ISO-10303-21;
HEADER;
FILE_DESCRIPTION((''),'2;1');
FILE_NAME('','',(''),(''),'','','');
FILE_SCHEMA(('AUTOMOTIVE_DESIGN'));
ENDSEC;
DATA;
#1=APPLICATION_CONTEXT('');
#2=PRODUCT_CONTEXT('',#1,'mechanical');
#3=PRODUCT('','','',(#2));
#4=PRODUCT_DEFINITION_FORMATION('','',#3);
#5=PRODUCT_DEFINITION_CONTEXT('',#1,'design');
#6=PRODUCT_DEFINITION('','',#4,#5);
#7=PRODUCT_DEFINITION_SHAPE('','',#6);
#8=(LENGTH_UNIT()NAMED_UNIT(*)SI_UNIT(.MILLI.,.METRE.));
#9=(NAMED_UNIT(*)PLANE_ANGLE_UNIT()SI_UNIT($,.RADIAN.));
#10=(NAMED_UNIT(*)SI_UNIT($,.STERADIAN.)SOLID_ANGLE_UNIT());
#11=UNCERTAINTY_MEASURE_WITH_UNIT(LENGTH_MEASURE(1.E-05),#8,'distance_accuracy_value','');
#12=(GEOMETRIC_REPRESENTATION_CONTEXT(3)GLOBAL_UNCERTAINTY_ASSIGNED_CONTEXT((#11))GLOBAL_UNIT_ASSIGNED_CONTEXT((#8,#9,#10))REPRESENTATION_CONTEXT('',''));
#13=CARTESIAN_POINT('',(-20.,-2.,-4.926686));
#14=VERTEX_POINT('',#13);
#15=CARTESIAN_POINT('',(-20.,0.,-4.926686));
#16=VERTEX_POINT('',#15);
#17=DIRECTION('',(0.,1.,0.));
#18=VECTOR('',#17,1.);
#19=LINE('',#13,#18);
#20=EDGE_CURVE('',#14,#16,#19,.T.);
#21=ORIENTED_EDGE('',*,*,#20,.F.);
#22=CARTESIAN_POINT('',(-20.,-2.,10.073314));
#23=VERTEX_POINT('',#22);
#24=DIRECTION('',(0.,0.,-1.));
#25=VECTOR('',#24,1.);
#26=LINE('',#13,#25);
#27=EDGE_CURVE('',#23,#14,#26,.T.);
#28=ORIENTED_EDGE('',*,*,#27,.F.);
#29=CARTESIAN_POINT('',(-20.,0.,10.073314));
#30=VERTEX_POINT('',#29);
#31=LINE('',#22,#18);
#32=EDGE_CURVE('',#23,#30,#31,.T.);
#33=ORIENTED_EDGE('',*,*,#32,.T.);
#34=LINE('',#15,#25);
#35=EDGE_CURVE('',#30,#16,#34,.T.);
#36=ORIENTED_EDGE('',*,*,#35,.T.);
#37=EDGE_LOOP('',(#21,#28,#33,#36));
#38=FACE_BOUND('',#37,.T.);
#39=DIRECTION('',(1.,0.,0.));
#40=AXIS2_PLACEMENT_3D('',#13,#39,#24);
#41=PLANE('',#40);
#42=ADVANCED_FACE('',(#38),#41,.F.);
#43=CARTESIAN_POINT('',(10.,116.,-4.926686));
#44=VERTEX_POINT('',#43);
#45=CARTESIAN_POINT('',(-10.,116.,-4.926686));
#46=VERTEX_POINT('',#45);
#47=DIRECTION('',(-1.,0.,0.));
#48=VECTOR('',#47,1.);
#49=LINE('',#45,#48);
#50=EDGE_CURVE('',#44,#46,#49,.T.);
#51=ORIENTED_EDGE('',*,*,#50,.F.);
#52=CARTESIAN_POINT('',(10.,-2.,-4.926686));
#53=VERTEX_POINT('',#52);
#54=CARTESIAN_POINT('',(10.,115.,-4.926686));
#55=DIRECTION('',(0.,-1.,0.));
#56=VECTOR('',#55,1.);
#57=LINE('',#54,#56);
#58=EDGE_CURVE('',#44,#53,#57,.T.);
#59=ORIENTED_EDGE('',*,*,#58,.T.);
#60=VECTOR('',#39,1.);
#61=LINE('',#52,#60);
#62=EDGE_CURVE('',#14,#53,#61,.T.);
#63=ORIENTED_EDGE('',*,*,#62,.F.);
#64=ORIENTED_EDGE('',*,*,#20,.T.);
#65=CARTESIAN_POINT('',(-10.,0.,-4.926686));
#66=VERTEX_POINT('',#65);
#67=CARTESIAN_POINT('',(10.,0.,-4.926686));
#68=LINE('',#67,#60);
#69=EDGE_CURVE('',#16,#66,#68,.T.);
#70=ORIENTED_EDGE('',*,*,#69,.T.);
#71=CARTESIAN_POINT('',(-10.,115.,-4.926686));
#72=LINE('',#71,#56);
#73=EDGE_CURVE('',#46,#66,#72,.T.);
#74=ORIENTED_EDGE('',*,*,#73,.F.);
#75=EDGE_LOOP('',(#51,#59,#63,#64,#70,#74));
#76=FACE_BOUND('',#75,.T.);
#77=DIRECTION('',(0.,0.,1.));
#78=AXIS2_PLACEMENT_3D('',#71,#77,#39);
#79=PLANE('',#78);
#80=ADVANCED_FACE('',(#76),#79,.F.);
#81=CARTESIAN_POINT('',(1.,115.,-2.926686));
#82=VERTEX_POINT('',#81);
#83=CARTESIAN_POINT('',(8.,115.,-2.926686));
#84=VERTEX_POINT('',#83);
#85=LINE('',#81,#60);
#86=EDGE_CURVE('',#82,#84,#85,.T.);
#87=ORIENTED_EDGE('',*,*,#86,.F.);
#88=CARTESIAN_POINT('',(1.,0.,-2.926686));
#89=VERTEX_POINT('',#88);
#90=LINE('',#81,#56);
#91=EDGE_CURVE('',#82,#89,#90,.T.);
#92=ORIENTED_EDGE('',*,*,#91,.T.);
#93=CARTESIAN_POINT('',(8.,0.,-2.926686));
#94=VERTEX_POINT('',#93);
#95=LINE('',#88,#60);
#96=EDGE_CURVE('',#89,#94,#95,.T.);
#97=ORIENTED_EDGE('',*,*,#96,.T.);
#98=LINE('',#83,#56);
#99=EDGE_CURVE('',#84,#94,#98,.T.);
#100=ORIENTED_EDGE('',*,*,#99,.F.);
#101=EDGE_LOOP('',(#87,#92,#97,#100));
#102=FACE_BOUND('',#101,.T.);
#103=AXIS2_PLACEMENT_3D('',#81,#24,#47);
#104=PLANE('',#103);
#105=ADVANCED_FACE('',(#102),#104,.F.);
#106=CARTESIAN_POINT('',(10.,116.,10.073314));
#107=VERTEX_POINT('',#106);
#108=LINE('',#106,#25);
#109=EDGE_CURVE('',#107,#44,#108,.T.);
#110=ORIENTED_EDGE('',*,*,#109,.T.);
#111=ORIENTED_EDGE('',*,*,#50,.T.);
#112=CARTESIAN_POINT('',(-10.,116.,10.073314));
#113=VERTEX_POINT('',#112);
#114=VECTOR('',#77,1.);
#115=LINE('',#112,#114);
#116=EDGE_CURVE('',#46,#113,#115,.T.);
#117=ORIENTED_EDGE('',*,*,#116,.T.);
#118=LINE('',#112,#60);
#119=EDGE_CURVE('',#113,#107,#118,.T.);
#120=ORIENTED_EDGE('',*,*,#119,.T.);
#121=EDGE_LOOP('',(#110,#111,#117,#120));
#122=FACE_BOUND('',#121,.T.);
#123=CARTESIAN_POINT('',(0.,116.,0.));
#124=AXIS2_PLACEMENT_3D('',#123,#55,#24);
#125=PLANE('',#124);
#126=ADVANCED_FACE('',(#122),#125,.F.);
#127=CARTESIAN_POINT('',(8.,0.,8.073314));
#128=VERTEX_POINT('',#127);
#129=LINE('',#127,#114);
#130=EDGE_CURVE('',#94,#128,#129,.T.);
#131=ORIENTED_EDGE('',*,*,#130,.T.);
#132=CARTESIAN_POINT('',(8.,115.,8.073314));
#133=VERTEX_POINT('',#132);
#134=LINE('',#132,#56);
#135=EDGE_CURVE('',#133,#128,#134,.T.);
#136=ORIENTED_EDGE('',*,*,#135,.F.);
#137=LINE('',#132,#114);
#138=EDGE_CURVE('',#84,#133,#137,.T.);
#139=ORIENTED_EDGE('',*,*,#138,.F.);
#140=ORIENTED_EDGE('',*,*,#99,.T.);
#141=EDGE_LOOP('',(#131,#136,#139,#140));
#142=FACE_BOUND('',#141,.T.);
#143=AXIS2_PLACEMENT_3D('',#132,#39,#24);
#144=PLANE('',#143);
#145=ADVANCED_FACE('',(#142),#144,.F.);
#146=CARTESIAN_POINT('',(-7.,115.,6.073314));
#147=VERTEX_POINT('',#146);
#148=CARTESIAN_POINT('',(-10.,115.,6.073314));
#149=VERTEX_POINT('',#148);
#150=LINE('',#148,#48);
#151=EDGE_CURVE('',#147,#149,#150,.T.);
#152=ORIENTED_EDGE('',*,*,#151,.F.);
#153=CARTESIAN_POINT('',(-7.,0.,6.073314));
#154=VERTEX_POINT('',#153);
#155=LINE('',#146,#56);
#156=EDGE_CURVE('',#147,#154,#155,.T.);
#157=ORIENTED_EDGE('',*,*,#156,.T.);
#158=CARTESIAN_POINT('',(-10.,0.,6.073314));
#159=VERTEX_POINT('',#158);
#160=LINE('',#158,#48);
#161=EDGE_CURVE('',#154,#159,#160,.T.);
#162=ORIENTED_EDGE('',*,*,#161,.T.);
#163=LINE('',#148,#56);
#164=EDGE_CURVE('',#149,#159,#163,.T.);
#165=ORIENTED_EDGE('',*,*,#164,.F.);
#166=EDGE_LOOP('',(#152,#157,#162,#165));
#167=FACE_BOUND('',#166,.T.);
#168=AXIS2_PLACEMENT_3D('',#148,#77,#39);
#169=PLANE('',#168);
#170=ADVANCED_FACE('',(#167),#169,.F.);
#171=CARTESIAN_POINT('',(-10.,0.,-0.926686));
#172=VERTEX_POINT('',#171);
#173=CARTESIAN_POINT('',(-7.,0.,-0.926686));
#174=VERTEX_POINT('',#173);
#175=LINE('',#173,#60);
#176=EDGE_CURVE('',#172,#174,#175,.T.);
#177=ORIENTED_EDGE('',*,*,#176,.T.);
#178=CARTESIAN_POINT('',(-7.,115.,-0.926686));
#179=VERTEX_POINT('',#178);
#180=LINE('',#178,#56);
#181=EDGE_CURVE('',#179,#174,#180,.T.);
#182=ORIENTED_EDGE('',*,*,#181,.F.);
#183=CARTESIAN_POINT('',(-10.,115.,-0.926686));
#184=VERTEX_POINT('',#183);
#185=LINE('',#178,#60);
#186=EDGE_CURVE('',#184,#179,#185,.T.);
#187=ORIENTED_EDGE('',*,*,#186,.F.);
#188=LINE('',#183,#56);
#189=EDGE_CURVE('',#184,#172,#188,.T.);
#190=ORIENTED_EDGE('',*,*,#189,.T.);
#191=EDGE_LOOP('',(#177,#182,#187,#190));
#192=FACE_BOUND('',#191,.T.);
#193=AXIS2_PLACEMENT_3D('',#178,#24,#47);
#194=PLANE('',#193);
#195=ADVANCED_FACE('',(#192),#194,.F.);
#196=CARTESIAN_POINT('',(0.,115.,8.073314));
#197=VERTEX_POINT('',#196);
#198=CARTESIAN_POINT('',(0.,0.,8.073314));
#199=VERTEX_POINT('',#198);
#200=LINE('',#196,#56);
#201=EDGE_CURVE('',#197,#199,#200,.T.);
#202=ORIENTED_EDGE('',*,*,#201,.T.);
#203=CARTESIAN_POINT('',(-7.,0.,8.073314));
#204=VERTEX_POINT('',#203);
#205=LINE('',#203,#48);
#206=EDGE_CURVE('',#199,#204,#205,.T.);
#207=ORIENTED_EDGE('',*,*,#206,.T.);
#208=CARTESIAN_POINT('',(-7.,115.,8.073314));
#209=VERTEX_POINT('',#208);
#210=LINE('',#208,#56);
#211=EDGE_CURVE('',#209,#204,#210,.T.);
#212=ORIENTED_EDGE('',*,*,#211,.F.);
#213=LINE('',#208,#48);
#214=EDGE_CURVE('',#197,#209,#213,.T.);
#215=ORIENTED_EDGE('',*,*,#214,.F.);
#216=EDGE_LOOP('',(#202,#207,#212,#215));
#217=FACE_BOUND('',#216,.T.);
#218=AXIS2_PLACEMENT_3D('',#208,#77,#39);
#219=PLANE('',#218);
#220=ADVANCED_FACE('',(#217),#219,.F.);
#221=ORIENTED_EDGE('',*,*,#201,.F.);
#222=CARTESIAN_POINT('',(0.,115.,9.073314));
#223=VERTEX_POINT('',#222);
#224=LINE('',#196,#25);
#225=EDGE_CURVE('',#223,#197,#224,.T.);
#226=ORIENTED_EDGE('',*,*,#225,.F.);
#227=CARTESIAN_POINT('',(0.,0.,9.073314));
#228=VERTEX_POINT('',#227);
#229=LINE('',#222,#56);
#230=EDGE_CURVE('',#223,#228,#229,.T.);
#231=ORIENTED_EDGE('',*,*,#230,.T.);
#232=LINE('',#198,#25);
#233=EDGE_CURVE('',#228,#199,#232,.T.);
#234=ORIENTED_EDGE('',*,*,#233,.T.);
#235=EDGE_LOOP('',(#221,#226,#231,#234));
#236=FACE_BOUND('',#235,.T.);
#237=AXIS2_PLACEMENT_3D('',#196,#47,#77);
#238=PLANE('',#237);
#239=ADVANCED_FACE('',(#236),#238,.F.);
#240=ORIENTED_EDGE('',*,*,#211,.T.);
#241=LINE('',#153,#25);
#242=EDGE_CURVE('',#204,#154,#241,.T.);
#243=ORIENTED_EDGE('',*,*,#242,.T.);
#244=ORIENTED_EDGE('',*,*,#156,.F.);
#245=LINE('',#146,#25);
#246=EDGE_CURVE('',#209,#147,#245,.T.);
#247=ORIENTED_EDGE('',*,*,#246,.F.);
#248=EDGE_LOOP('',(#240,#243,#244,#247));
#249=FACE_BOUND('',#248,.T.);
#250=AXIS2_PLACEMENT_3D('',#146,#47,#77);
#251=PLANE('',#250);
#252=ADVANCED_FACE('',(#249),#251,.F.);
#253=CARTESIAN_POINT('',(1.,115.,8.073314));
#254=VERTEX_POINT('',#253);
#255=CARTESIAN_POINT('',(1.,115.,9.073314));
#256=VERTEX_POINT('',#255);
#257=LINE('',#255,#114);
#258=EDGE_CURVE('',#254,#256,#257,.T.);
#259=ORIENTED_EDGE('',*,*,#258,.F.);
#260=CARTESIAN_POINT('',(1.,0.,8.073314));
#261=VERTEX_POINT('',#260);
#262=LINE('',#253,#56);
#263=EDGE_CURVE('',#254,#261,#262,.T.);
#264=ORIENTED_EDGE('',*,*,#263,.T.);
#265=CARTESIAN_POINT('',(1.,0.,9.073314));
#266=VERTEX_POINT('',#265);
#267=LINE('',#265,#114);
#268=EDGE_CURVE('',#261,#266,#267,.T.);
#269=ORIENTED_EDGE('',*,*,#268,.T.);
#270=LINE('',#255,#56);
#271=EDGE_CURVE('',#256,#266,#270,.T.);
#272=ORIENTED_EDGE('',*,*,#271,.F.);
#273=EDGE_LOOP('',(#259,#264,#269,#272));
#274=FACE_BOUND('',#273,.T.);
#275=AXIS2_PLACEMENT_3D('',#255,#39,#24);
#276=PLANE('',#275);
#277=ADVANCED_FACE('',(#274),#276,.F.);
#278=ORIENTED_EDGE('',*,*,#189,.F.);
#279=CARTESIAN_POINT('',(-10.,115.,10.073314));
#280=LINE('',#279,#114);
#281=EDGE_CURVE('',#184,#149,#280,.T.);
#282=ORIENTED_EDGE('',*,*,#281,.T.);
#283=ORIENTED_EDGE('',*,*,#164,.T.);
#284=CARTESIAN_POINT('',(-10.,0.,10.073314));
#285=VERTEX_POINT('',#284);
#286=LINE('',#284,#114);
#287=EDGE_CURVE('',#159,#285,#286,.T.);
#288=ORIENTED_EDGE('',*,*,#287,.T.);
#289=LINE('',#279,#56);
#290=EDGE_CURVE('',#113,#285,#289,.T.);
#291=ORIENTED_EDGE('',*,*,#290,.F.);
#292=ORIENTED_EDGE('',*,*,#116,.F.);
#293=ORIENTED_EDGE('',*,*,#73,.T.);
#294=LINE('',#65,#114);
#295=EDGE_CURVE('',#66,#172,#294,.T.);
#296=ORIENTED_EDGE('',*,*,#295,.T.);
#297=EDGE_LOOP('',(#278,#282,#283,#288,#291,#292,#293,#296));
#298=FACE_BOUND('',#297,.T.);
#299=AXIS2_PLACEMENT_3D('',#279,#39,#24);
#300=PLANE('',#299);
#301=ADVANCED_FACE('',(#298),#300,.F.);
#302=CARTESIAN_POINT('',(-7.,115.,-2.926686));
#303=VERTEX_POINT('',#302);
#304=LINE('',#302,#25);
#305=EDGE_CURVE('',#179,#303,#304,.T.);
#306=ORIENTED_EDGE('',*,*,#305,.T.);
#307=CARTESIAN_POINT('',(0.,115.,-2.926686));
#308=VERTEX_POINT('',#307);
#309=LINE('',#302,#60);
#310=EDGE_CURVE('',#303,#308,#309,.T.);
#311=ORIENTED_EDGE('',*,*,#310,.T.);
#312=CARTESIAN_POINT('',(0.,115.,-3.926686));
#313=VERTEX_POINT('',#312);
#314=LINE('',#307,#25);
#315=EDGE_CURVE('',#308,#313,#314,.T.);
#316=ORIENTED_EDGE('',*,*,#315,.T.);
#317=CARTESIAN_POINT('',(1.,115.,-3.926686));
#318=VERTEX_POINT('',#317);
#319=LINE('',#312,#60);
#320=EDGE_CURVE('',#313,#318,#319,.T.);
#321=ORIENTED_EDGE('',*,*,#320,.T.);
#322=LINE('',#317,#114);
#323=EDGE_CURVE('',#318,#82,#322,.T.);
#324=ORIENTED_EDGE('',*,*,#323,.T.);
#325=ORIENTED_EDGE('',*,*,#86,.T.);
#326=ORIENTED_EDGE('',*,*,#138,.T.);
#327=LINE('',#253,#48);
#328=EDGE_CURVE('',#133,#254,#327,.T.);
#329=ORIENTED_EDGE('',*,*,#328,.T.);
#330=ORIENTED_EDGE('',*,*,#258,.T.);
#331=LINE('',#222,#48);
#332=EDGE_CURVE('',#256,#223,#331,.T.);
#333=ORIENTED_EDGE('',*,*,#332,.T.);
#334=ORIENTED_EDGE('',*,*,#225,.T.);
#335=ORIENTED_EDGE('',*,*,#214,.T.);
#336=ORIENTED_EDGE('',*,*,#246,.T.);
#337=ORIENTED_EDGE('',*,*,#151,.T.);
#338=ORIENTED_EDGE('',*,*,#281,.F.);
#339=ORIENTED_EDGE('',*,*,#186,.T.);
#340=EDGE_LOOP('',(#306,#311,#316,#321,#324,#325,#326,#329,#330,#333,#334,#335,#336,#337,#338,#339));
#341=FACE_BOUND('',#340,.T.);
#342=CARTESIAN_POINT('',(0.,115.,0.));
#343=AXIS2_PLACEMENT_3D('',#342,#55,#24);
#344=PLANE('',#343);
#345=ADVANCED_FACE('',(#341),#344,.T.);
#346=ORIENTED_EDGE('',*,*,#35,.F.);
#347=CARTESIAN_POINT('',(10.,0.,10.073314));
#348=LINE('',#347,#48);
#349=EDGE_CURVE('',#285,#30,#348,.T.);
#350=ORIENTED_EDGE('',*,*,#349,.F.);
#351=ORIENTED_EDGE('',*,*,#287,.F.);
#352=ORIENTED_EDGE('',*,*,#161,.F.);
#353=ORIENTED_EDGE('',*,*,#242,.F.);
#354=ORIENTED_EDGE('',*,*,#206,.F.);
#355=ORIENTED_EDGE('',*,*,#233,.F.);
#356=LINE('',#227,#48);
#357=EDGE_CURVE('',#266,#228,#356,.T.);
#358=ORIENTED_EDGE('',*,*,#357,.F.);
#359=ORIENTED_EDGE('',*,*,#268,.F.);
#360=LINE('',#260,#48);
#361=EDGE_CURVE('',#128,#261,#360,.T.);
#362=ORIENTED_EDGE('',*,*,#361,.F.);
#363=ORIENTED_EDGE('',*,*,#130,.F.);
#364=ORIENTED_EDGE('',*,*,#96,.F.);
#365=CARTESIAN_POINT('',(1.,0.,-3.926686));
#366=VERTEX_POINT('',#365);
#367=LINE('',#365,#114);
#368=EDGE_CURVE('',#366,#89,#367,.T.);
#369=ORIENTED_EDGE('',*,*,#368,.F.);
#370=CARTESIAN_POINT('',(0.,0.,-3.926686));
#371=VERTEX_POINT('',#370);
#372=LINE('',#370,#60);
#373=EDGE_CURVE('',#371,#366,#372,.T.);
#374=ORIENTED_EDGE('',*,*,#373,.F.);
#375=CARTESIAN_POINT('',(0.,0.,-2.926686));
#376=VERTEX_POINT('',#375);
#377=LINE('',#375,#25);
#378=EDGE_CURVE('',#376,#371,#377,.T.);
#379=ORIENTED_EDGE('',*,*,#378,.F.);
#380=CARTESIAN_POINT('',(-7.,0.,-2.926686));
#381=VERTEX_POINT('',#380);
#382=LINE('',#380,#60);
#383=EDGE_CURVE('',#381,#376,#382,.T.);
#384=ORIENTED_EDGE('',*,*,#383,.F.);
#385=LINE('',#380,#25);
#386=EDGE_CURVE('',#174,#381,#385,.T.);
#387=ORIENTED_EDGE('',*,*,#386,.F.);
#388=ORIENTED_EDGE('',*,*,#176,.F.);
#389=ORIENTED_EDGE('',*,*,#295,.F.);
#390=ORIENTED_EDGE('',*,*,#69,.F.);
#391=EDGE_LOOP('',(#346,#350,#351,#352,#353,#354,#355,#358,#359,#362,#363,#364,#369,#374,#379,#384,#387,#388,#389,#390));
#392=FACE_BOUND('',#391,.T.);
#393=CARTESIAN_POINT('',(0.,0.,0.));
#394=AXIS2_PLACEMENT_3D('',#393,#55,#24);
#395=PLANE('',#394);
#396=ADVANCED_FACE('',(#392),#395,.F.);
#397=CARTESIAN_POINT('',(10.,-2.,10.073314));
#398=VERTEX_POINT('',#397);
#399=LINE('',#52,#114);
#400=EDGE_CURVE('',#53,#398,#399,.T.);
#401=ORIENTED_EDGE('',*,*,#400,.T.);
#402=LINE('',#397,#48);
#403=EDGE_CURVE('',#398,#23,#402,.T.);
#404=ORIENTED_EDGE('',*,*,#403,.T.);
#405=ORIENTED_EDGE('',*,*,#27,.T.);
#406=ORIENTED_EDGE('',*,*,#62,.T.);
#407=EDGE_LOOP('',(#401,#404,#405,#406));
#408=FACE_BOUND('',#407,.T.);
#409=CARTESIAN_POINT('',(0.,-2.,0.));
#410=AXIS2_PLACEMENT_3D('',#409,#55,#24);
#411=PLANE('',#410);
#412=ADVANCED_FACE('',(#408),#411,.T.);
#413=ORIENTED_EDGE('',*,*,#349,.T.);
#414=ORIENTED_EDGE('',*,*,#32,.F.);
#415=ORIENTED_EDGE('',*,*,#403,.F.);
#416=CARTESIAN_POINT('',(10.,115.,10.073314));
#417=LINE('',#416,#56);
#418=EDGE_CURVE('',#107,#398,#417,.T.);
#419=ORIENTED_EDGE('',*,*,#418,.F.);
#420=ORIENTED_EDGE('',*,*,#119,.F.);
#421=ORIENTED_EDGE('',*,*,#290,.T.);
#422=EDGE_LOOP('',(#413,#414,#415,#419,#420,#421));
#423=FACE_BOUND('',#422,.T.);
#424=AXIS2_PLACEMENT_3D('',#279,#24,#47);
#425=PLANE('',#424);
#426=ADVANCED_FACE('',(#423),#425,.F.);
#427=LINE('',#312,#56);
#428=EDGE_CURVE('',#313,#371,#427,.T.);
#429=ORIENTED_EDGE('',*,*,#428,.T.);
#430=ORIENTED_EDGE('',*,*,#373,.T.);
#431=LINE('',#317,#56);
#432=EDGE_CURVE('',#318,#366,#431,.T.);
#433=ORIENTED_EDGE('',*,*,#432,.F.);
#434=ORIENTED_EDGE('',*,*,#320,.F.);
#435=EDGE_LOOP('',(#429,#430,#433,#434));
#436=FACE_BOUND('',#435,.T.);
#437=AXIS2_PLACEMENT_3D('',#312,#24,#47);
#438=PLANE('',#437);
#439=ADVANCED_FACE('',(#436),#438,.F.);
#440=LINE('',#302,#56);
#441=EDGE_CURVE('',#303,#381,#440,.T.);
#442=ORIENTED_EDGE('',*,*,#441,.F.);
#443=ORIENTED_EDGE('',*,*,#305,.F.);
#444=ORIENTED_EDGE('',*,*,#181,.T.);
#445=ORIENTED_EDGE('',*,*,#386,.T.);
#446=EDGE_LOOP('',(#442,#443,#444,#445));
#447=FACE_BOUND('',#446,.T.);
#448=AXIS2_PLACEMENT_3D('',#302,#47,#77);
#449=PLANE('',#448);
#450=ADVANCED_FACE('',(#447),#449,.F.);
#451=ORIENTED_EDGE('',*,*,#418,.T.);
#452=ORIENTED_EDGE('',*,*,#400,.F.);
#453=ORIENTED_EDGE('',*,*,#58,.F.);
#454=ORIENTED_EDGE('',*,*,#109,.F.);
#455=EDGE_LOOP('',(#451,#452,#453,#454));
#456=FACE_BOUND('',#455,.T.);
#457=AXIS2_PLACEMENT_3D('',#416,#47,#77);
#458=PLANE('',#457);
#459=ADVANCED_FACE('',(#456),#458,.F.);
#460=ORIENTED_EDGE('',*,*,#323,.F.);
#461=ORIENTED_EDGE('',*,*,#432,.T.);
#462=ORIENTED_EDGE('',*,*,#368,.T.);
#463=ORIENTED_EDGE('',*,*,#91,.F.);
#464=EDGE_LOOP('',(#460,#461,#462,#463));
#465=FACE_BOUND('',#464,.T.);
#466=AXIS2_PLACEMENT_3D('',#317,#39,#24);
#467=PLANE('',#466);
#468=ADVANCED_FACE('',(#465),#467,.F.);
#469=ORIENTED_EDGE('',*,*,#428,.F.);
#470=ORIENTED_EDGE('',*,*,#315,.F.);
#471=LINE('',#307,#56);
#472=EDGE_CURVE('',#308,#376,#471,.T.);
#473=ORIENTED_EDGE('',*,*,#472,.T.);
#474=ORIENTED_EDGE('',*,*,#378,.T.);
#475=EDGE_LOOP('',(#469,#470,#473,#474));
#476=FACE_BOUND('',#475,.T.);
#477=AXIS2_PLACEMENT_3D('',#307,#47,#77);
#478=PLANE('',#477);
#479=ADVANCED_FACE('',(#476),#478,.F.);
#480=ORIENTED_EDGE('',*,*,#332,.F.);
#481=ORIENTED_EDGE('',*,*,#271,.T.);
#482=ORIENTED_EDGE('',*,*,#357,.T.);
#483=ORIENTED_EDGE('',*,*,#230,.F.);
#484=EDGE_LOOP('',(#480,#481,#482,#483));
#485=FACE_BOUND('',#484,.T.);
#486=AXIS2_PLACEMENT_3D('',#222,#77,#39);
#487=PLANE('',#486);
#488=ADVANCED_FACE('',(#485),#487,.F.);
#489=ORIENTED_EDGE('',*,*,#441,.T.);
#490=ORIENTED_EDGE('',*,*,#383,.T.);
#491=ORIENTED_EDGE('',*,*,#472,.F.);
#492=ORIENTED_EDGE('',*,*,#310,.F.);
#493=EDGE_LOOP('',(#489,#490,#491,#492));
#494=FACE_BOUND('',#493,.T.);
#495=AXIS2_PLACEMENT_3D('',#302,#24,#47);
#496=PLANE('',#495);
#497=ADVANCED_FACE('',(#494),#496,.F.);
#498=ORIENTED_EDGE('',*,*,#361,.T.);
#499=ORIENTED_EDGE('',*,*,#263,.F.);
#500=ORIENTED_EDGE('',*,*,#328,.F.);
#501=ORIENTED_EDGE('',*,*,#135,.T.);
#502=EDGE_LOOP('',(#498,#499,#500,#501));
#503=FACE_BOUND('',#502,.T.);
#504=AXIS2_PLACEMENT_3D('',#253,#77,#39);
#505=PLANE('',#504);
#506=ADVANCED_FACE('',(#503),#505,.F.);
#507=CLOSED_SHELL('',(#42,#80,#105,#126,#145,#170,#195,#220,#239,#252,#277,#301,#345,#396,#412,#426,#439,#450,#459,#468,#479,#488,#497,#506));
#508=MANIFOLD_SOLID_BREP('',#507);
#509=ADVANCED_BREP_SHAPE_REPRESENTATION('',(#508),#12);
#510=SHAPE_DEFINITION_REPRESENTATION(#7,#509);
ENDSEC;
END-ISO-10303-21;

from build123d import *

# Parameters (mm, degrees)
BOSS_EXTRUDE1_DEPTH = 115
SKETCH3_W           = 20
SKETCH3_H           = 15
BOSS_EXTRUDE2_DEPTH = 1
SKETCH7_W           = 30
SKETCH7_H           = 15
BOSS_EXTRUDE5_DEPTH = 2


with BuildPart() as part:
    # Sketch2 → Boss-Extrude1 (new body)
    with BuildSketch(Plane(origin=(0, 0, 0), x_dir=(1, 0, 0), z_dir=(0, 1, 0))):
        Polygon((-10, 4.926686322), (-10, 0.926686322), (-7, 0.926686322), (-7, 2.926686322), (0, 2.926686322), (0, 3.926686322), (1, 3.926686322), (1, 2.926686322), (8, 2.926686322), (8, -8.073313678), (1, -8.073313678), (1, -9.073313678), (0, -9.073313678), (0, -8.073313678), (-7, -8.073313678), (-7, -6.073313678), (-10, -6.073313678), (-10, -10.073313678), (10, -10.073313678), (10, 4.926686322), align=None)
    extrude(amount=BOSS_EXTRUDE1_DEPTH)

    # Sketch3 → Boss-Extrude2 (add)
    with BuildSketch(Plane(origin=(0, 115, 0), x_dir=(1, 0, 0), z_dir=(0, 1, 0))):
        with Locations((0, -2.573313678)):
            Rectangle(SKETCH3_W, SKETCH3_H)
    extrude(amount=BOSS_EXTRUDE2_DEPTH)

    # Sketch7 → Boss-Extrude5 (add)
    with BuildSketch(Plane(origin=(0, 0, 0), x_dir=(-1, 0, 0), z_dir=(0, -1, 0))):
        with Locations((5, -2.573313678)):
            Rectangle(SKETCH7_W, SKETCH7_H)
    extrude(amount=BOSS_EXTRUDE5_DEPTH)


solid = part.part
